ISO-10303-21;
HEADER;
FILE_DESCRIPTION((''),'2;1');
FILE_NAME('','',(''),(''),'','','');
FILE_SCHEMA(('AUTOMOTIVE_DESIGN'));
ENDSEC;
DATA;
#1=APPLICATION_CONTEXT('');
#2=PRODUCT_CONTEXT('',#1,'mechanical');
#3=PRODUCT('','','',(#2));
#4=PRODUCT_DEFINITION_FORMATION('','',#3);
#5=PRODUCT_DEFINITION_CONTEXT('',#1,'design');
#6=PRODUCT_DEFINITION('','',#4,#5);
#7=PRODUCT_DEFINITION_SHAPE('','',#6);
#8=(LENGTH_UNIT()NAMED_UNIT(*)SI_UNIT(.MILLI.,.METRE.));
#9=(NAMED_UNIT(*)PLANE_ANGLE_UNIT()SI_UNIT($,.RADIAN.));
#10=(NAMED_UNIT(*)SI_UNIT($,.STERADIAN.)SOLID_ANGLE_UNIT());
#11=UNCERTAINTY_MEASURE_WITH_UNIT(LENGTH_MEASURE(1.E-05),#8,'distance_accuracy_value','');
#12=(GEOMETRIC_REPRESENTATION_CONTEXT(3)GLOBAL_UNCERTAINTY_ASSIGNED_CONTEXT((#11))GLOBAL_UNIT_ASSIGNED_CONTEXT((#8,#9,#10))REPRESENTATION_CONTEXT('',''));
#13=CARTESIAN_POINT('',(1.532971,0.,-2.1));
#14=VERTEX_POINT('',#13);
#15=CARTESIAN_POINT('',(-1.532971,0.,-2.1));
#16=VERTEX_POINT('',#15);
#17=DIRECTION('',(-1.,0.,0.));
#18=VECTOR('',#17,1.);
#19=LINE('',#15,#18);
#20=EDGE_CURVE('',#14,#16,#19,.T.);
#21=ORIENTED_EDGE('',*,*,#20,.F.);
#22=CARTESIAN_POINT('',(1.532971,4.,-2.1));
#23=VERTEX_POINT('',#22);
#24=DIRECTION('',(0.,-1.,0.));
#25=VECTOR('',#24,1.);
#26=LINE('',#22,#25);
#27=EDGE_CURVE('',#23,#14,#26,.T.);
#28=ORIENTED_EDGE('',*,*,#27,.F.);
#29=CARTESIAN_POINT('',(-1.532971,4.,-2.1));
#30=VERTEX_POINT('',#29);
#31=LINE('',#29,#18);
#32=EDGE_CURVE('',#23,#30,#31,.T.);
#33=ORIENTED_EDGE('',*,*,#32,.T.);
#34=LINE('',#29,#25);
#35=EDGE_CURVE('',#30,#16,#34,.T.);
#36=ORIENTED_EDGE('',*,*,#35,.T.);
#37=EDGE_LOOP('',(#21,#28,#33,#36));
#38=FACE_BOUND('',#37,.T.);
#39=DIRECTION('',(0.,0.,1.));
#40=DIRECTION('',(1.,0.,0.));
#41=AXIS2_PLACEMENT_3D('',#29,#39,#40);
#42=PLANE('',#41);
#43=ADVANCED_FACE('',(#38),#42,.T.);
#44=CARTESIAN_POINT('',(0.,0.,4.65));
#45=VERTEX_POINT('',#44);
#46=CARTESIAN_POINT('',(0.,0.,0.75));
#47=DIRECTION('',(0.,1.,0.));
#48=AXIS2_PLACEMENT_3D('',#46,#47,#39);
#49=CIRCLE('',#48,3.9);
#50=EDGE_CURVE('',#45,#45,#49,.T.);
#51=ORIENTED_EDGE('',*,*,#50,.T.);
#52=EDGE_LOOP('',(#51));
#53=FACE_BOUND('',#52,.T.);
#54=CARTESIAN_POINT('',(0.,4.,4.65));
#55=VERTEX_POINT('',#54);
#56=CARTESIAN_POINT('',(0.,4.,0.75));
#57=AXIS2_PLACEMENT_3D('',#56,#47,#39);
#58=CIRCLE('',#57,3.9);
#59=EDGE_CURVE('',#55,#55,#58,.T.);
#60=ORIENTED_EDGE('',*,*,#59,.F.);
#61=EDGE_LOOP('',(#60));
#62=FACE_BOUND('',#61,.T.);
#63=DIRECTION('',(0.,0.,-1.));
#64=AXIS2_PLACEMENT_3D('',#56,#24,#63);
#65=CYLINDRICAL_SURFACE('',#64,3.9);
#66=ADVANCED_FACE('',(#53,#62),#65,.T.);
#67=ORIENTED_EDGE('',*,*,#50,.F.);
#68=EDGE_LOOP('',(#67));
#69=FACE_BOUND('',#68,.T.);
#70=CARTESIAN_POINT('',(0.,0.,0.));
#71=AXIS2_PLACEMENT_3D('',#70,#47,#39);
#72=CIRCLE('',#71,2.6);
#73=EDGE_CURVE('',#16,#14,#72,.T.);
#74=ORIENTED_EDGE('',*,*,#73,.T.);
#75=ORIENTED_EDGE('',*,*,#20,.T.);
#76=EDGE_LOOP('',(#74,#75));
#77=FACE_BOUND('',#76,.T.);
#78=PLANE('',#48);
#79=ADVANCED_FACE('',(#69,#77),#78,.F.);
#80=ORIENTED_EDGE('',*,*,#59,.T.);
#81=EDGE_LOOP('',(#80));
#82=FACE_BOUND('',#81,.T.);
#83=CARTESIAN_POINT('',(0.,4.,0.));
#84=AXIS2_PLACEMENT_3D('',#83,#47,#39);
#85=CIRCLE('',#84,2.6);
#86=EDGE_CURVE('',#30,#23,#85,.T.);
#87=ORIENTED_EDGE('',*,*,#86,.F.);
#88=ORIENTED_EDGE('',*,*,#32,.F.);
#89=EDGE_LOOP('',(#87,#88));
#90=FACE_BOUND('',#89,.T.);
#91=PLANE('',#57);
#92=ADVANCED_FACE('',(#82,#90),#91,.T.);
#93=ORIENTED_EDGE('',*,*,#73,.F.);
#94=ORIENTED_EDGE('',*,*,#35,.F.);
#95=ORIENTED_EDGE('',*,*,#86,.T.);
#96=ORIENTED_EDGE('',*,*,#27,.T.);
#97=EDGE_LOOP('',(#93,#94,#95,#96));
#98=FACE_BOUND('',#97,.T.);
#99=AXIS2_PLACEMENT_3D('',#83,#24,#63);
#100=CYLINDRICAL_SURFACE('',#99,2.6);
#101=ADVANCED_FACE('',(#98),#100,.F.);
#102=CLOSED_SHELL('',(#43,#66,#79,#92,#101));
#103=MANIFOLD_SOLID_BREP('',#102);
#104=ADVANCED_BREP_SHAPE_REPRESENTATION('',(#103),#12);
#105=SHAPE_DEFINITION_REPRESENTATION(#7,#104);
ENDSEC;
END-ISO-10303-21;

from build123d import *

# Parameters (mm, degrees)
SKETCH_1_R      = 3.9
EXTRUDE_1_DEPTH = 4


with BuildPart() as part:
    # 草图1 → 凸台-拉伸1 (new body)
    with BuildSketch(Plane(origin=(0, 0, 0), x_dir=(1, 0, 0), z_dir=(0, 1, 0))):
        with Locations((0, -0.75)):
            Circle(SKETCH_1_R)
        with BuildLine():
            Line((-1.532970972, 2.1), (1.532970972, 2.1))
            ThreePointArc((1.532970972, 2.1), (0, -2.6), (-1.532970972, 2.1))
        make_face(mode=Mode.SUBTRACT)
    extrude(amount=EXTRUDE_1_DEPTH)


solid = part.part
